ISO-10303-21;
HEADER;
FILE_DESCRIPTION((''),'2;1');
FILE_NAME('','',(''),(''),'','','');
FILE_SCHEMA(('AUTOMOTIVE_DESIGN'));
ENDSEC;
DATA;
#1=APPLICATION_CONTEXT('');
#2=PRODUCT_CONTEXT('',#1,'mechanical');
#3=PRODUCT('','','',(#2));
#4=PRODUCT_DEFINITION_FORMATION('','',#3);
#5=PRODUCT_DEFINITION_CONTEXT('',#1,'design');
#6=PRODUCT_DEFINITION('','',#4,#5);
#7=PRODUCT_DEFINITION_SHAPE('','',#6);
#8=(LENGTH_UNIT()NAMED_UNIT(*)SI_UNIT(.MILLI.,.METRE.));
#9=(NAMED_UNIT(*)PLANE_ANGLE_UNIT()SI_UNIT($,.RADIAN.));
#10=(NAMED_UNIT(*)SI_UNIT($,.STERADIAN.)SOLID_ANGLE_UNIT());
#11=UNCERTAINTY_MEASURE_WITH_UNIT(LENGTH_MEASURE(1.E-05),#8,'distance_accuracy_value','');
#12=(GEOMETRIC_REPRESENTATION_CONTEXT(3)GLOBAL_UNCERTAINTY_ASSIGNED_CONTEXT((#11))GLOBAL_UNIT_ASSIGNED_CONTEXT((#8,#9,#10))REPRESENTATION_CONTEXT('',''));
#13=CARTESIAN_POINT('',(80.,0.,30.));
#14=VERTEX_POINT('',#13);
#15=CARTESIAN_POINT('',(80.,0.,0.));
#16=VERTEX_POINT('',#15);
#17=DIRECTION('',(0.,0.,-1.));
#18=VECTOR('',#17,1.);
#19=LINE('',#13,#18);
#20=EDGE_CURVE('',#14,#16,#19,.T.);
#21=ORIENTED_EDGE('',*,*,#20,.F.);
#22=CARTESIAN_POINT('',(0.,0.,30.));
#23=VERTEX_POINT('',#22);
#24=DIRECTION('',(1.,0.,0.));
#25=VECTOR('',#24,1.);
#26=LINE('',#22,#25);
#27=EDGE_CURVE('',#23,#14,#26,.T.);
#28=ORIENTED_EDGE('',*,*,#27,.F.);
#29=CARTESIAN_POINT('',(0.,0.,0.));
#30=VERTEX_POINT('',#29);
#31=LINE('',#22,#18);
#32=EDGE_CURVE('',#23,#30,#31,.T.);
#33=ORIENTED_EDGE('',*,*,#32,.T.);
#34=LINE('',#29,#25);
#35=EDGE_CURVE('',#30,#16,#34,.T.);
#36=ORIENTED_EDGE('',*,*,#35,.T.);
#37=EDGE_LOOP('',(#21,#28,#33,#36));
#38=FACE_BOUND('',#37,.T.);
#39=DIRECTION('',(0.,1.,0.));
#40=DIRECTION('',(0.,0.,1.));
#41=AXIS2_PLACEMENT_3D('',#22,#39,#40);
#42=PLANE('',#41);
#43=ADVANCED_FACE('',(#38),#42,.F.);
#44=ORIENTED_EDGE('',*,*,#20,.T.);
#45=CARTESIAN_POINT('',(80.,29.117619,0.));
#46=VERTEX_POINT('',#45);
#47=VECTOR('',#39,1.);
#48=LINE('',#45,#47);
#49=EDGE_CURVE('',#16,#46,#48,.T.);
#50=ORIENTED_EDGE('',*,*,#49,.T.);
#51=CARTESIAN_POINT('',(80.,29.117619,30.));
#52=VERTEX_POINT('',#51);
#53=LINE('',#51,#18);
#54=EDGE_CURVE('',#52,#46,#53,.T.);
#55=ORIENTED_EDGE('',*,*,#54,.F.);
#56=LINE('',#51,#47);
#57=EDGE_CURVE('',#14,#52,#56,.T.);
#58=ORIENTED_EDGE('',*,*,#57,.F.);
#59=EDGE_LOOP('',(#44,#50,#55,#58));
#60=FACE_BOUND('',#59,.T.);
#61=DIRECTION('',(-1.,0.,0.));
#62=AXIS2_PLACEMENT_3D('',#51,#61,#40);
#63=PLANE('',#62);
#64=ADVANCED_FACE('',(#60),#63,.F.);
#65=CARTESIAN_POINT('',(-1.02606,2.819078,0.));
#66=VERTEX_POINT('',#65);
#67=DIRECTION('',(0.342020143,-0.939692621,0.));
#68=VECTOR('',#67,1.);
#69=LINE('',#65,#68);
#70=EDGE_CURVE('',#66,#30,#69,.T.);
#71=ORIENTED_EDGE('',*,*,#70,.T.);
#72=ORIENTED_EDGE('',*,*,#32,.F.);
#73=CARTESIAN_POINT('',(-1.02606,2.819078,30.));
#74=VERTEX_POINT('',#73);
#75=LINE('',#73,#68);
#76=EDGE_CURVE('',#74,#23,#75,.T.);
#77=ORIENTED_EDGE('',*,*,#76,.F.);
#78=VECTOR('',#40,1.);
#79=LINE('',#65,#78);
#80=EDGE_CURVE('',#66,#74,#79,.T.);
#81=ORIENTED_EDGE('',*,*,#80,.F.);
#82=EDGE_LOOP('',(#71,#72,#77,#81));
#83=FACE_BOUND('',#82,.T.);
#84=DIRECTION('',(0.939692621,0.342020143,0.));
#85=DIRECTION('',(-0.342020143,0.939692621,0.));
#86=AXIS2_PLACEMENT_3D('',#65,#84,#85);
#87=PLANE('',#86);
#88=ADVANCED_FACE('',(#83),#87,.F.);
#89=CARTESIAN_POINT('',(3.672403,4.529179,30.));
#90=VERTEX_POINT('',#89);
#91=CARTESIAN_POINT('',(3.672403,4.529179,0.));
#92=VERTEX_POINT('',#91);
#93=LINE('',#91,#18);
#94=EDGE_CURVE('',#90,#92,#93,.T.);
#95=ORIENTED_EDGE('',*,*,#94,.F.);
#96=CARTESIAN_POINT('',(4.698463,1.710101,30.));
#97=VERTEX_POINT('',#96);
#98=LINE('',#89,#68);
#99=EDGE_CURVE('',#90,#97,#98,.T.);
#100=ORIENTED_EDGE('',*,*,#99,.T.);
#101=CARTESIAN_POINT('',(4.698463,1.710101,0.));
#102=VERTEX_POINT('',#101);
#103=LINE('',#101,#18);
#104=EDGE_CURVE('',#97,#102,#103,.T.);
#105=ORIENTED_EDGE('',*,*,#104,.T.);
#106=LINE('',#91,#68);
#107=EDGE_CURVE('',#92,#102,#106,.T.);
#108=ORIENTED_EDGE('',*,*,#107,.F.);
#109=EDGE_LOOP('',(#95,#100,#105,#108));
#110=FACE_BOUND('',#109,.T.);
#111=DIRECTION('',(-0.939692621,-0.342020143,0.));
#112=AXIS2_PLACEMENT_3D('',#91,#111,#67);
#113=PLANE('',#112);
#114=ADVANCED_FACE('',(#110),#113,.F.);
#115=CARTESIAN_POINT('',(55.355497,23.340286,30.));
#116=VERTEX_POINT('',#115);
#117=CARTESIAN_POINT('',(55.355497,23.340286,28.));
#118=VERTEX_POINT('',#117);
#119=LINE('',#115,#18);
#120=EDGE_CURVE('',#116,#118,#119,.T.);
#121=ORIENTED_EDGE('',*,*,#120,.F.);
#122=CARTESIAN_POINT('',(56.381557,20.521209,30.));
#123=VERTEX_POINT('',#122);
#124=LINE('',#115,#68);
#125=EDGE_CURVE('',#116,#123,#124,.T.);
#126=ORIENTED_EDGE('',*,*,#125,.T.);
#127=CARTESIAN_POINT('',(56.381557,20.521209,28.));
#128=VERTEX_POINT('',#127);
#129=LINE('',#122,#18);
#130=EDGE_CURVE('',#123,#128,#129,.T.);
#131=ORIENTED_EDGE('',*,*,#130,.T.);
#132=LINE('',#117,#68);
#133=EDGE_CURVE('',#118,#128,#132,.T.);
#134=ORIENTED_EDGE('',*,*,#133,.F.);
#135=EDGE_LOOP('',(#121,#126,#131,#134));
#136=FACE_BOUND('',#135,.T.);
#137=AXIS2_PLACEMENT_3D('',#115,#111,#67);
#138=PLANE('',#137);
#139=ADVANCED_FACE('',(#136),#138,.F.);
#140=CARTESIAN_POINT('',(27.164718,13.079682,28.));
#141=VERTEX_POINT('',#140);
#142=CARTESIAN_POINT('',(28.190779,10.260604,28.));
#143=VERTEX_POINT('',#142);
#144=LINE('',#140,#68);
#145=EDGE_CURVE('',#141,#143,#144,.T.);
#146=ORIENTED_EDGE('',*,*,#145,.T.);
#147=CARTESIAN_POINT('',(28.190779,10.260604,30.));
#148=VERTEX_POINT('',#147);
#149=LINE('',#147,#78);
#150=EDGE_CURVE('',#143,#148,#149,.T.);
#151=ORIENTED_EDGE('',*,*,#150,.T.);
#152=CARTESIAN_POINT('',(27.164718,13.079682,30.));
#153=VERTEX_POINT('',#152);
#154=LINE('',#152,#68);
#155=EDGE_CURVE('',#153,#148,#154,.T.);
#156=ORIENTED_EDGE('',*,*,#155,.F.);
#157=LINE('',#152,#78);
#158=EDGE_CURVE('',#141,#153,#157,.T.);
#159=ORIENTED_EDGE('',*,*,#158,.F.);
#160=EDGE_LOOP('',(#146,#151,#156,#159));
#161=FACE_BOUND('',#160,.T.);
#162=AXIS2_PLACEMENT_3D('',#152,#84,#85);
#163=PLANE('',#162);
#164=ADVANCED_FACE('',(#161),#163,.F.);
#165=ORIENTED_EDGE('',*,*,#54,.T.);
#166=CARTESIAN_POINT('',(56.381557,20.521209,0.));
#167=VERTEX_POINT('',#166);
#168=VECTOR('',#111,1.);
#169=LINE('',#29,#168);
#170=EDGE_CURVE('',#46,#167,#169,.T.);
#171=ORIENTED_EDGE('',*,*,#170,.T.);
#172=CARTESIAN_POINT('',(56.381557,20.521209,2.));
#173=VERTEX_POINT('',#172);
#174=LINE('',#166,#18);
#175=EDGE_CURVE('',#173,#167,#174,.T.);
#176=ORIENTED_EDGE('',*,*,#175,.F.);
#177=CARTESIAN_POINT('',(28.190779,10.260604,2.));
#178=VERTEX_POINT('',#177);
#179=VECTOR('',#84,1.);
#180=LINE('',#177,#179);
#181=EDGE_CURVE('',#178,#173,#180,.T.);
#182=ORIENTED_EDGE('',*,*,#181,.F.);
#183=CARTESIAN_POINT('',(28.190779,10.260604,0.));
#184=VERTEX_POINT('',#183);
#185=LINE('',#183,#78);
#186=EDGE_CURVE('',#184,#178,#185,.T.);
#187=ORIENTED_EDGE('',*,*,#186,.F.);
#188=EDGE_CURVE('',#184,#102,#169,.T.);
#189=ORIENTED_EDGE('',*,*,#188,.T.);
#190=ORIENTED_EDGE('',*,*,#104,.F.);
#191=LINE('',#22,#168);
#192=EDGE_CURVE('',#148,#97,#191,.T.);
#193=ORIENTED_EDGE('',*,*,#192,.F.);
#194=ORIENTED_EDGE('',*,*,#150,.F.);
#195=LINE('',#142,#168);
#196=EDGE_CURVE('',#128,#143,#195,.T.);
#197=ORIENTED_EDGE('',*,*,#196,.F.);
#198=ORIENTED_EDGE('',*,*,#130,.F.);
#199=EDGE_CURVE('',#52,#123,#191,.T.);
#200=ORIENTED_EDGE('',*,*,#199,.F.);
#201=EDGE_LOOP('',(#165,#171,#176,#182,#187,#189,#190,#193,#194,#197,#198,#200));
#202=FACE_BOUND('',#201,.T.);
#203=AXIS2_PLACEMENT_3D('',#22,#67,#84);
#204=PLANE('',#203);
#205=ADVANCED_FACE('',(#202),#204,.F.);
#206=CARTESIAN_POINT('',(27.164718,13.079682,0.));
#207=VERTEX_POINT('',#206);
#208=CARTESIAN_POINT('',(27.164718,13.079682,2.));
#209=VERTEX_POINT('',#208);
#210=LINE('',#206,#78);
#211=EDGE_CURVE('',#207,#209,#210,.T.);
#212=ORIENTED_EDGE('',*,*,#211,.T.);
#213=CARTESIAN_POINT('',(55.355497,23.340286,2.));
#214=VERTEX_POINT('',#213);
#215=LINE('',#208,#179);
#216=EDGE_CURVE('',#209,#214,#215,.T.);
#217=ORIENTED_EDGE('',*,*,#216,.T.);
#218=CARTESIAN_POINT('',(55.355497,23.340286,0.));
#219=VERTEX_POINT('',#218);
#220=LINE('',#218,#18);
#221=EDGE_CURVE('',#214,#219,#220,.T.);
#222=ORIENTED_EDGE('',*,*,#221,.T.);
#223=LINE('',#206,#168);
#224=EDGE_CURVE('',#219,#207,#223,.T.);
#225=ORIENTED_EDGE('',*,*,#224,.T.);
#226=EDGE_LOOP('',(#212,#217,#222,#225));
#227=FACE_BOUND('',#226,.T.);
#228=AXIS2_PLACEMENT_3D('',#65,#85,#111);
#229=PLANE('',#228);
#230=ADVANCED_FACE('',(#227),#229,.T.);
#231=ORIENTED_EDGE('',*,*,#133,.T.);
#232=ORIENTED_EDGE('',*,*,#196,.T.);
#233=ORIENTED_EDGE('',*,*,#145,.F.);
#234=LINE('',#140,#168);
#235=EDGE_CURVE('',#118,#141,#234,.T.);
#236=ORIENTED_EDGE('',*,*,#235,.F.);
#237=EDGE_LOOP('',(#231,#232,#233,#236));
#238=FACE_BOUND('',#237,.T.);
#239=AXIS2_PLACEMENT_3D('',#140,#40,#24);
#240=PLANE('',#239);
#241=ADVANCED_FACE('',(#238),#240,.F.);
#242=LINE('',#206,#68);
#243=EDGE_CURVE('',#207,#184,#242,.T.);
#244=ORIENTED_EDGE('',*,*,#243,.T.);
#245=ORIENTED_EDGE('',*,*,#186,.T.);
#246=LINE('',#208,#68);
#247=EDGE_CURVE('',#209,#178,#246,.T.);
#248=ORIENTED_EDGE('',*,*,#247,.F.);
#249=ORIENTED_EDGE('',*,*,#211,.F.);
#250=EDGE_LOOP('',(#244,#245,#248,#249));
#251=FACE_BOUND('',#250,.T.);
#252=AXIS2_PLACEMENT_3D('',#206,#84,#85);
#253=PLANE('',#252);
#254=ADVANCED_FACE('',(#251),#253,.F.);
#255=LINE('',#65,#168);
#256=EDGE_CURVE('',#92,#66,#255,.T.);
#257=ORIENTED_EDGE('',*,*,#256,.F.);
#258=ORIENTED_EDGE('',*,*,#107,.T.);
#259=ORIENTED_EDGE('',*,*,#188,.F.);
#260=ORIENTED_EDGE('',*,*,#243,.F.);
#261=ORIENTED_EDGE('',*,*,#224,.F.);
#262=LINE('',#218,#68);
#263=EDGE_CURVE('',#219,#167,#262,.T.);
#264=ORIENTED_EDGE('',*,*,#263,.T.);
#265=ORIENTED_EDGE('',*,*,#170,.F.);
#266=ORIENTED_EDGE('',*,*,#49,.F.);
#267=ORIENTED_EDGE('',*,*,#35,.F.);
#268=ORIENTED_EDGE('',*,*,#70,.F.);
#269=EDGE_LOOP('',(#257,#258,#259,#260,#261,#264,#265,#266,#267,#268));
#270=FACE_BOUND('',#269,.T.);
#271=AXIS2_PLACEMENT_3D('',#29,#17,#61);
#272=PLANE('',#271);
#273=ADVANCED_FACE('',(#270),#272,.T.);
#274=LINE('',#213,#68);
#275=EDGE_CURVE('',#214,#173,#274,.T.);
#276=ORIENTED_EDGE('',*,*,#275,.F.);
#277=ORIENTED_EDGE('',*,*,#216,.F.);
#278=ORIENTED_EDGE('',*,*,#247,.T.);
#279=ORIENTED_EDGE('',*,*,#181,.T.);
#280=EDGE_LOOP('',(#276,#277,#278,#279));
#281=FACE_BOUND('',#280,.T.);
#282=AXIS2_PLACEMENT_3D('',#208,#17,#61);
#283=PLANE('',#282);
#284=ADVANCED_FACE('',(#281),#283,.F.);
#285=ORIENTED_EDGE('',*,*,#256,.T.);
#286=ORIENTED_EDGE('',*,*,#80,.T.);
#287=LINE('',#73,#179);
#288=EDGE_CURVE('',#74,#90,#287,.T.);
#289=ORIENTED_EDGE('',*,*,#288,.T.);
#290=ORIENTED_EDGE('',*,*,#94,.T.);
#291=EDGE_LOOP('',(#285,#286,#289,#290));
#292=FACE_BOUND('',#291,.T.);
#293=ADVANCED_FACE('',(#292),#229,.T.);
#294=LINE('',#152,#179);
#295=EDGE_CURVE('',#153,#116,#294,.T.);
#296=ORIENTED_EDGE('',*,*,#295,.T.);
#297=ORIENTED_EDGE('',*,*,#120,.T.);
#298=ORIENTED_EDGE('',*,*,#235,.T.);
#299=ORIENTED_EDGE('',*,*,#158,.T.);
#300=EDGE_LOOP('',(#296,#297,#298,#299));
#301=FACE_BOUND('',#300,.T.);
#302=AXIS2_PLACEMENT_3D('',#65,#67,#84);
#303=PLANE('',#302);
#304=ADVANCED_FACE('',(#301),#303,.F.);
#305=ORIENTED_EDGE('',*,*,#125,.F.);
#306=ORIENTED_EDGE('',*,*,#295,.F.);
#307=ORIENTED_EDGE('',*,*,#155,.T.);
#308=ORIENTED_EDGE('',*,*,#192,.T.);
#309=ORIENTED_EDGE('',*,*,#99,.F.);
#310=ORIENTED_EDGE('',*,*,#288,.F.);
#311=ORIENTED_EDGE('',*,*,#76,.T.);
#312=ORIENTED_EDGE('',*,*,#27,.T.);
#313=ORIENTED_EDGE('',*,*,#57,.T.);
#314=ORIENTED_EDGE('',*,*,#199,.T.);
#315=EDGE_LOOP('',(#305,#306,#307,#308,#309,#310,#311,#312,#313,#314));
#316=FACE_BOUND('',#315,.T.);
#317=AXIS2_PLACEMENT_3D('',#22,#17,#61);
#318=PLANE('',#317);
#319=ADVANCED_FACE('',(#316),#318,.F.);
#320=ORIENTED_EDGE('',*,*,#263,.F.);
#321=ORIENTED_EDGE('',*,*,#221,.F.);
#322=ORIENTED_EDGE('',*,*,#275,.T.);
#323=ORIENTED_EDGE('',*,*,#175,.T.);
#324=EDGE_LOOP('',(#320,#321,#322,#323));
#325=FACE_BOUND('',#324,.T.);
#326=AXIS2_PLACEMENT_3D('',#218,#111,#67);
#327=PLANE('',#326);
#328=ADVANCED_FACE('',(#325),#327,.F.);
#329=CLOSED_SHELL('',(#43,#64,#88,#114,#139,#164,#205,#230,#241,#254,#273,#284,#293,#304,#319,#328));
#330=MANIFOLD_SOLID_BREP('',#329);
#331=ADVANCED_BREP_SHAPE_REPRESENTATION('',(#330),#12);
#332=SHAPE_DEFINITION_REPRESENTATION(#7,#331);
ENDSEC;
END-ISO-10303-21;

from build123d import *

# Parameters (mm, degrees)
BOSS_EXTRUDE1_DEPTH = 30
SKETCH2_W           = 5
SKETCH2_H           = 30
SKETCH2_W_2         = 30
SKETCH2_H_2         = 2
BOSS_EXTRUDE2_DEPTH = 3


with BuildPart() as part:
    # Sketch1 → Boss-Extrude1 (new body)
    with BuildSketch(Plane.XY):
        Polygon((0, 0), (80, 0), (80, 29.117618741), align=None)
    extrude(amount=BOSS_EXTRUDE1_DEPTH)

    # Sketch2 → Boss-Extrude2 (add)
    with BuildSketch(Plane(origin=(0, 0, 0), x_dir=(0.9396926207859082, 0.34202014332566943, 0), z_dir=(-0.34202014332566943, 0.9396926207859082, 0))):
        with Locations((2.5, -15)):
            Rectangle(SKETCH2_W, SKETCH2_H)
        with Locations((45, -1)):
            Rectangle(SKETCH2_W_2, SKETCH2_H_2)
        with Locations((45, -29)):
            Rectangle(SKETCH2_W_2, SKETCH2_H_2)
    extrude(amount=BOSS_EXTRUDE2_DEPTH)


solid = part.part
